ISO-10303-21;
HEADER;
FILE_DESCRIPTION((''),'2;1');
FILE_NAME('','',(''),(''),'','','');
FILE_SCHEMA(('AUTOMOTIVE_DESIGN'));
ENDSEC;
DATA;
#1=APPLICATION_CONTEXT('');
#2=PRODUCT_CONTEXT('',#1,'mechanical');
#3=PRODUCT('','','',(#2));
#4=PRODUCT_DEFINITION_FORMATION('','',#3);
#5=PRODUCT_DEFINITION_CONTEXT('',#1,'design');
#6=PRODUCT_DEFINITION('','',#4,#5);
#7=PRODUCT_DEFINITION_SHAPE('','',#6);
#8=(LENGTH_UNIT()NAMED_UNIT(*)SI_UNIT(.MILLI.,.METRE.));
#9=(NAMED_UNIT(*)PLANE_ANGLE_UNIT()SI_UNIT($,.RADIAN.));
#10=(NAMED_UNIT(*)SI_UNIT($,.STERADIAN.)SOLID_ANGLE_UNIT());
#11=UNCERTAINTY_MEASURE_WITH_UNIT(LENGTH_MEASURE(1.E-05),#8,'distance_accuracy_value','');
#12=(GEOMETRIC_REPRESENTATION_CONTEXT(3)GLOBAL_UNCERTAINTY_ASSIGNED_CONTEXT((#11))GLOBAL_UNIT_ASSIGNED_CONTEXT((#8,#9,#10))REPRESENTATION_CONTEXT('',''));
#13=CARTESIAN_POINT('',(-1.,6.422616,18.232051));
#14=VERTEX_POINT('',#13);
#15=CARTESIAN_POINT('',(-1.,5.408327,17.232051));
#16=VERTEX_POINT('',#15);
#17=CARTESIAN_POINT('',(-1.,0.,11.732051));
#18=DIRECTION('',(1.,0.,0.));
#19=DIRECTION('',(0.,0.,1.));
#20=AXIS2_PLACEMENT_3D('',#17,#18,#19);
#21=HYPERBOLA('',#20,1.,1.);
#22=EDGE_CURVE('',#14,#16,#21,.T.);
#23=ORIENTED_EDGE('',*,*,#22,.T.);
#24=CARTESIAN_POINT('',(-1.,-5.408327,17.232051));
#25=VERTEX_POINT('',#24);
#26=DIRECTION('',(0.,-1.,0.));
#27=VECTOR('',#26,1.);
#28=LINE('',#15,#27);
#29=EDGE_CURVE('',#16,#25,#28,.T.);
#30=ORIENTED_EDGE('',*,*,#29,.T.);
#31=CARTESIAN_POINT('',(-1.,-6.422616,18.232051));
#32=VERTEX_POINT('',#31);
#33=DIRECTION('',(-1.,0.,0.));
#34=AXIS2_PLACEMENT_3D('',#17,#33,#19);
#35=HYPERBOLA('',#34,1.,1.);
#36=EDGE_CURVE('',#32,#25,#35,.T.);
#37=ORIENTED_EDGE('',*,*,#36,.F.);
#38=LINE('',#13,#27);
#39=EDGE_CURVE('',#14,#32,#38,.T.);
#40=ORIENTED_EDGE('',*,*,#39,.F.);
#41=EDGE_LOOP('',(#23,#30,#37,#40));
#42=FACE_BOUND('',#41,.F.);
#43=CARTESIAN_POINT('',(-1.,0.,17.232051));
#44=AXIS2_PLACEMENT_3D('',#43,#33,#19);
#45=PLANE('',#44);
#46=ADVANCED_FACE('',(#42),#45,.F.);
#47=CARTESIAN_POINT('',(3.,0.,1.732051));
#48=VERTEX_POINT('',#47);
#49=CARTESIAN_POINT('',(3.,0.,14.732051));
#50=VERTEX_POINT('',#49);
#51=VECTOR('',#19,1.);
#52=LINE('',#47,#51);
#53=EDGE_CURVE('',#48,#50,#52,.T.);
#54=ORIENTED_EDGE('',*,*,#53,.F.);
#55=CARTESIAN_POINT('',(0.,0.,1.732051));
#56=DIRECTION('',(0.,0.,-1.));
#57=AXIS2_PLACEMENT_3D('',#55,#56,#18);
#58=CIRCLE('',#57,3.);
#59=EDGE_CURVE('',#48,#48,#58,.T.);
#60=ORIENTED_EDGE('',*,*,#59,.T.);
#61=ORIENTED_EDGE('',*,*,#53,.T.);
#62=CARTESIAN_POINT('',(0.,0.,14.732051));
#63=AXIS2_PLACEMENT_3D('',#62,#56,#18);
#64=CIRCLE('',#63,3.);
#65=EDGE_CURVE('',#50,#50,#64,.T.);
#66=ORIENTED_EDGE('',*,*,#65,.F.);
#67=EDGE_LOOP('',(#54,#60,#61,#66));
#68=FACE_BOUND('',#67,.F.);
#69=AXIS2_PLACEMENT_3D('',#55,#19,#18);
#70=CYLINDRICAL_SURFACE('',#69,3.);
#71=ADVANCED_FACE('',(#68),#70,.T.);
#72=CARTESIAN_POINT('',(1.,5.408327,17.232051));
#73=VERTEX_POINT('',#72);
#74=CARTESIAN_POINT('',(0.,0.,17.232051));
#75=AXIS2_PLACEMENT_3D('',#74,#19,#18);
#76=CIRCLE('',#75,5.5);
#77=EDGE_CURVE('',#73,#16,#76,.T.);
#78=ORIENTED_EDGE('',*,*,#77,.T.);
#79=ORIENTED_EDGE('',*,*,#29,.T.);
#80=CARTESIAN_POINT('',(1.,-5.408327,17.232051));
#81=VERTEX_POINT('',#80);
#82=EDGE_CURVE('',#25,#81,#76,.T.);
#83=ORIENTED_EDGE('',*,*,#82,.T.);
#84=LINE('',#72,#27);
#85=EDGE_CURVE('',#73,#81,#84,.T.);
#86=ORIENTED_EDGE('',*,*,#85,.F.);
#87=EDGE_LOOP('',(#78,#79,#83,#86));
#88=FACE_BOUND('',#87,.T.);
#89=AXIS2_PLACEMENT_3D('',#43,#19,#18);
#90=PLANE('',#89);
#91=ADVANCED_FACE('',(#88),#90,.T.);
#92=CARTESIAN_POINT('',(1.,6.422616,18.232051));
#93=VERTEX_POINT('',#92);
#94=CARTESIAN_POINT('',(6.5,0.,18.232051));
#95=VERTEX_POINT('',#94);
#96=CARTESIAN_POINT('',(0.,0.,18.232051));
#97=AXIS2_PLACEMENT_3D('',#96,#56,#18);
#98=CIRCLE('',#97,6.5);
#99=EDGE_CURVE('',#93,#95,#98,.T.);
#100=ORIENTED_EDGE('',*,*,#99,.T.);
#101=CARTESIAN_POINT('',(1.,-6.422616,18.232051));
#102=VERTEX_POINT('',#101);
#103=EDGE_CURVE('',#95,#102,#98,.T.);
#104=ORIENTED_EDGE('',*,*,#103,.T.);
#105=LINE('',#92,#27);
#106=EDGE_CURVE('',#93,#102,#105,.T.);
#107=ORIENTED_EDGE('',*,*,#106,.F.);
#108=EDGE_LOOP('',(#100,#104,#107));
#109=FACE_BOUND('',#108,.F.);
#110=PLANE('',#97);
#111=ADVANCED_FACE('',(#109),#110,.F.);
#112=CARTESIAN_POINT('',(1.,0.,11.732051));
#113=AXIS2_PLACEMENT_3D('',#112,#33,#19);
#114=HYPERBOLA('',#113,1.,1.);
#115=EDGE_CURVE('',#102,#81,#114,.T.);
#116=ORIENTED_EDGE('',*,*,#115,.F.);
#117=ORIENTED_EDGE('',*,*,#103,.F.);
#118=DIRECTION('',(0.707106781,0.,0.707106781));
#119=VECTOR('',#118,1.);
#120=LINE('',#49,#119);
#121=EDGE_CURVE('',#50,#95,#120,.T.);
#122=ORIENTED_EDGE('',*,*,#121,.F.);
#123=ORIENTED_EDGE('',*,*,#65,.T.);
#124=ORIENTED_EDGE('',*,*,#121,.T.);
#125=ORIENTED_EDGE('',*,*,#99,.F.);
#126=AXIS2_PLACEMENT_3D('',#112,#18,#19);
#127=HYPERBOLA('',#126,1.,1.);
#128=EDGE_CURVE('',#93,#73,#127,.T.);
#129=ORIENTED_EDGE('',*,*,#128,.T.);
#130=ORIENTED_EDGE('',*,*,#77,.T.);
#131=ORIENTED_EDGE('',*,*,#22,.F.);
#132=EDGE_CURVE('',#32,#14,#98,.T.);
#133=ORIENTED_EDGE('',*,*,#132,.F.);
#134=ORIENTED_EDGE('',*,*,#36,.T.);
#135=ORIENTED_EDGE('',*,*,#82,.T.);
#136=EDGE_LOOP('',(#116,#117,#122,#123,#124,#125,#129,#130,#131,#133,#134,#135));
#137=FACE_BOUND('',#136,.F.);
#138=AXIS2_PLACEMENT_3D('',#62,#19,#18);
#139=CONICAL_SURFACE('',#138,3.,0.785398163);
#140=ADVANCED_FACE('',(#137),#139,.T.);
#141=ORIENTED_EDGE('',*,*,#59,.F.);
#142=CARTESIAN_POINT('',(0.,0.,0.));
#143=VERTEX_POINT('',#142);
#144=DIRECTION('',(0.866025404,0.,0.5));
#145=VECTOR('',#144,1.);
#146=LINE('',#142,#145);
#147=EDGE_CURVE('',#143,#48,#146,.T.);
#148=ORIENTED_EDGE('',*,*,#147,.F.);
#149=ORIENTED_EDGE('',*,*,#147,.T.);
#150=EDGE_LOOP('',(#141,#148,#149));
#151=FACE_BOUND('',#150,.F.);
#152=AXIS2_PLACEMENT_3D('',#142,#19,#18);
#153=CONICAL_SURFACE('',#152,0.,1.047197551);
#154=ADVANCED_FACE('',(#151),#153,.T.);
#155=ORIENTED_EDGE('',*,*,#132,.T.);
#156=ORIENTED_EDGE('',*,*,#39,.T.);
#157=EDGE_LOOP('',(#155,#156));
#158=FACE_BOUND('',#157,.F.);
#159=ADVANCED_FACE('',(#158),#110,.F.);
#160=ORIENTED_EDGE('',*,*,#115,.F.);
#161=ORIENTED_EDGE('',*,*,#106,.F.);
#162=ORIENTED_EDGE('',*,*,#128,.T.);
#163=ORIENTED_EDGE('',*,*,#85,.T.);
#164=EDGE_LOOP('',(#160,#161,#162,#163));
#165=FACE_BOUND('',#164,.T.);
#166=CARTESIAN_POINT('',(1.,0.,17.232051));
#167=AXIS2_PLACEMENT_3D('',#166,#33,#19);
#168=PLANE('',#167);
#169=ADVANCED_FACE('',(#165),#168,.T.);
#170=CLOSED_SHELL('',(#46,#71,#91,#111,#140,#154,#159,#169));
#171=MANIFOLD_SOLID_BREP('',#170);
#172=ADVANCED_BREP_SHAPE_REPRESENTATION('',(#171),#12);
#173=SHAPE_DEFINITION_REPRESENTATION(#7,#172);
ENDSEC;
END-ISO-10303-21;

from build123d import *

# Parameters (mm, degrees)
F2_W          = 2
F2_H          = 4.9041104602
F3_DEPTH      = 6.501
F3_DEPTH_BACK = 6.501


with BuildPart() as f1:
    # F0 (on Front) → F1 (revolve)
    with BuildSketch(Plane.XZ):
        Polygon((0, 18.2320508076), (0, 0), (3, 1.7320508076), (3, 14.7320508076), (6.5, 18.2320508076), align=None)
    revolve(axis=Axis((0, 0, 9.1160254038), (0, 0, -1)))

    # F2 (on Front) → F3 (cut, two sides)
    with BuildSketch(Plane.XZ) as f3_sk:
        with Locations((0, 19.6841060377)):
            Rectangle(F2_W, F2_H)
    extrude(amount=-F3_DEPTH, mode=Mode.SUBTRACT)
    extrude(f3_sk.sketch, amount=F3_DEPTH_BACK, mode=Mode.SUBTRACT)


solid = f1.part
